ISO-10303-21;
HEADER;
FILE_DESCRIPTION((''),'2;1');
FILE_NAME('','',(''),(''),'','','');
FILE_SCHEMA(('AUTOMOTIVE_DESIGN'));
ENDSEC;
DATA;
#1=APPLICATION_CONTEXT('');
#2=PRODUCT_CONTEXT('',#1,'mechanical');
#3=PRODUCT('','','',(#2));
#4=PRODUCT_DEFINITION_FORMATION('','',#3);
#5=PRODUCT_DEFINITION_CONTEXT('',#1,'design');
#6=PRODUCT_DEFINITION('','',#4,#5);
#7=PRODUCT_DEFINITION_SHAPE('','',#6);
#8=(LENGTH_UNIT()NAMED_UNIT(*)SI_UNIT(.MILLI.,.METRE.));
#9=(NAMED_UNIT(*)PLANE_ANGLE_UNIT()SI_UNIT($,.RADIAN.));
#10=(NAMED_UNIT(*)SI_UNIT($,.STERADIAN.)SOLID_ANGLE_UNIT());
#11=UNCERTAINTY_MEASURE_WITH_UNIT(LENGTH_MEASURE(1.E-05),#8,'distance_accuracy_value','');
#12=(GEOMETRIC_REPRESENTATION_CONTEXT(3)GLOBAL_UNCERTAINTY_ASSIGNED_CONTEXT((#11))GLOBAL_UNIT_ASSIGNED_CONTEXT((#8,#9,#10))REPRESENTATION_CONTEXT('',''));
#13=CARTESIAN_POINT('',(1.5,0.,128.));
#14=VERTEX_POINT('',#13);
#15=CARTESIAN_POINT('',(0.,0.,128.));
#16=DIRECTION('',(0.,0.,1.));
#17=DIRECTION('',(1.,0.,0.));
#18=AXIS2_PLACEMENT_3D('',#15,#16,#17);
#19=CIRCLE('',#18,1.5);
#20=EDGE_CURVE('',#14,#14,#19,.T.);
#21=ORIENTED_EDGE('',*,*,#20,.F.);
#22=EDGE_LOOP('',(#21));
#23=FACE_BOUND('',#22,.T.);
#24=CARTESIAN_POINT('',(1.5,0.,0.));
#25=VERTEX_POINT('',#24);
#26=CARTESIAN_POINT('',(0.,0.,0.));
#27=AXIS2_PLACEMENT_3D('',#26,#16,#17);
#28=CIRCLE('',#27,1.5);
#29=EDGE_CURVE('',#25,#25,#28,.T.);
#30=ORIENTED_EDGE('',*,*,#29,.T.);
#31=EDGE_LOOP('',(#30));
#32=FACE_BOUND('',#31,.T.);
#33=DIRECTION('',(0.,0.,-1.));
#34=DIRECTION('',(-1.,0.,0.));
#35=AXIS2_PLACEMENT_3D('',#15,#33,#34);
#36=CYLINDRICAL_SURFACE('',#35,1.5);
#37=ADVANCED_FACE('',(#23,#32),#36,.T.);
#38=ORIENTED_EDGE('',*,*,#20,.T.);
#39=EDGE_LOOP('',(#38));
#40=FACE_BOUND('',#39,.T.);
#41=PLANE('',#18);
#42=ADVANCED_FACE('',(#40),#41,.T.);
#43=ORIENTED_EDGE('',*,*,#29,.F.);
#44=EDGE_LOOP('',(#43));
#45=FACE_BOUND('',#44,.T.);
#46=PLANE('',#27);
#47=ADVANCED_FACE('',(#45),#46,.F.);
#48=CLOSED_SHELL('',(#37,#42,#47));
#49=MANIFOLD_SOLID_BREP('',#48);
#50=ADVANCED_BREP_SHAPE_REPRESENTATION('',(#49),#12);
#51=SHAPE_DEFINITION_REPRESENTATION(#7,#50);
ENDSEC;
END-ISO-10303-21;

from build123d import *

# Parameters (mm, degrees)
ESQUISSE1_R        = 1.5
BOSS_EXTRU_1_DEPTH = 128


with BuildPart() as part:
    # Esquisse1 → Boss.-Extru.1 (new body)
    with BuildSketch(Plane.XY):
        Circle(ESQUISSE1_R)
    extrude(amount=BOSS_EXTRU_1_DEPTH)


solid = part.part
